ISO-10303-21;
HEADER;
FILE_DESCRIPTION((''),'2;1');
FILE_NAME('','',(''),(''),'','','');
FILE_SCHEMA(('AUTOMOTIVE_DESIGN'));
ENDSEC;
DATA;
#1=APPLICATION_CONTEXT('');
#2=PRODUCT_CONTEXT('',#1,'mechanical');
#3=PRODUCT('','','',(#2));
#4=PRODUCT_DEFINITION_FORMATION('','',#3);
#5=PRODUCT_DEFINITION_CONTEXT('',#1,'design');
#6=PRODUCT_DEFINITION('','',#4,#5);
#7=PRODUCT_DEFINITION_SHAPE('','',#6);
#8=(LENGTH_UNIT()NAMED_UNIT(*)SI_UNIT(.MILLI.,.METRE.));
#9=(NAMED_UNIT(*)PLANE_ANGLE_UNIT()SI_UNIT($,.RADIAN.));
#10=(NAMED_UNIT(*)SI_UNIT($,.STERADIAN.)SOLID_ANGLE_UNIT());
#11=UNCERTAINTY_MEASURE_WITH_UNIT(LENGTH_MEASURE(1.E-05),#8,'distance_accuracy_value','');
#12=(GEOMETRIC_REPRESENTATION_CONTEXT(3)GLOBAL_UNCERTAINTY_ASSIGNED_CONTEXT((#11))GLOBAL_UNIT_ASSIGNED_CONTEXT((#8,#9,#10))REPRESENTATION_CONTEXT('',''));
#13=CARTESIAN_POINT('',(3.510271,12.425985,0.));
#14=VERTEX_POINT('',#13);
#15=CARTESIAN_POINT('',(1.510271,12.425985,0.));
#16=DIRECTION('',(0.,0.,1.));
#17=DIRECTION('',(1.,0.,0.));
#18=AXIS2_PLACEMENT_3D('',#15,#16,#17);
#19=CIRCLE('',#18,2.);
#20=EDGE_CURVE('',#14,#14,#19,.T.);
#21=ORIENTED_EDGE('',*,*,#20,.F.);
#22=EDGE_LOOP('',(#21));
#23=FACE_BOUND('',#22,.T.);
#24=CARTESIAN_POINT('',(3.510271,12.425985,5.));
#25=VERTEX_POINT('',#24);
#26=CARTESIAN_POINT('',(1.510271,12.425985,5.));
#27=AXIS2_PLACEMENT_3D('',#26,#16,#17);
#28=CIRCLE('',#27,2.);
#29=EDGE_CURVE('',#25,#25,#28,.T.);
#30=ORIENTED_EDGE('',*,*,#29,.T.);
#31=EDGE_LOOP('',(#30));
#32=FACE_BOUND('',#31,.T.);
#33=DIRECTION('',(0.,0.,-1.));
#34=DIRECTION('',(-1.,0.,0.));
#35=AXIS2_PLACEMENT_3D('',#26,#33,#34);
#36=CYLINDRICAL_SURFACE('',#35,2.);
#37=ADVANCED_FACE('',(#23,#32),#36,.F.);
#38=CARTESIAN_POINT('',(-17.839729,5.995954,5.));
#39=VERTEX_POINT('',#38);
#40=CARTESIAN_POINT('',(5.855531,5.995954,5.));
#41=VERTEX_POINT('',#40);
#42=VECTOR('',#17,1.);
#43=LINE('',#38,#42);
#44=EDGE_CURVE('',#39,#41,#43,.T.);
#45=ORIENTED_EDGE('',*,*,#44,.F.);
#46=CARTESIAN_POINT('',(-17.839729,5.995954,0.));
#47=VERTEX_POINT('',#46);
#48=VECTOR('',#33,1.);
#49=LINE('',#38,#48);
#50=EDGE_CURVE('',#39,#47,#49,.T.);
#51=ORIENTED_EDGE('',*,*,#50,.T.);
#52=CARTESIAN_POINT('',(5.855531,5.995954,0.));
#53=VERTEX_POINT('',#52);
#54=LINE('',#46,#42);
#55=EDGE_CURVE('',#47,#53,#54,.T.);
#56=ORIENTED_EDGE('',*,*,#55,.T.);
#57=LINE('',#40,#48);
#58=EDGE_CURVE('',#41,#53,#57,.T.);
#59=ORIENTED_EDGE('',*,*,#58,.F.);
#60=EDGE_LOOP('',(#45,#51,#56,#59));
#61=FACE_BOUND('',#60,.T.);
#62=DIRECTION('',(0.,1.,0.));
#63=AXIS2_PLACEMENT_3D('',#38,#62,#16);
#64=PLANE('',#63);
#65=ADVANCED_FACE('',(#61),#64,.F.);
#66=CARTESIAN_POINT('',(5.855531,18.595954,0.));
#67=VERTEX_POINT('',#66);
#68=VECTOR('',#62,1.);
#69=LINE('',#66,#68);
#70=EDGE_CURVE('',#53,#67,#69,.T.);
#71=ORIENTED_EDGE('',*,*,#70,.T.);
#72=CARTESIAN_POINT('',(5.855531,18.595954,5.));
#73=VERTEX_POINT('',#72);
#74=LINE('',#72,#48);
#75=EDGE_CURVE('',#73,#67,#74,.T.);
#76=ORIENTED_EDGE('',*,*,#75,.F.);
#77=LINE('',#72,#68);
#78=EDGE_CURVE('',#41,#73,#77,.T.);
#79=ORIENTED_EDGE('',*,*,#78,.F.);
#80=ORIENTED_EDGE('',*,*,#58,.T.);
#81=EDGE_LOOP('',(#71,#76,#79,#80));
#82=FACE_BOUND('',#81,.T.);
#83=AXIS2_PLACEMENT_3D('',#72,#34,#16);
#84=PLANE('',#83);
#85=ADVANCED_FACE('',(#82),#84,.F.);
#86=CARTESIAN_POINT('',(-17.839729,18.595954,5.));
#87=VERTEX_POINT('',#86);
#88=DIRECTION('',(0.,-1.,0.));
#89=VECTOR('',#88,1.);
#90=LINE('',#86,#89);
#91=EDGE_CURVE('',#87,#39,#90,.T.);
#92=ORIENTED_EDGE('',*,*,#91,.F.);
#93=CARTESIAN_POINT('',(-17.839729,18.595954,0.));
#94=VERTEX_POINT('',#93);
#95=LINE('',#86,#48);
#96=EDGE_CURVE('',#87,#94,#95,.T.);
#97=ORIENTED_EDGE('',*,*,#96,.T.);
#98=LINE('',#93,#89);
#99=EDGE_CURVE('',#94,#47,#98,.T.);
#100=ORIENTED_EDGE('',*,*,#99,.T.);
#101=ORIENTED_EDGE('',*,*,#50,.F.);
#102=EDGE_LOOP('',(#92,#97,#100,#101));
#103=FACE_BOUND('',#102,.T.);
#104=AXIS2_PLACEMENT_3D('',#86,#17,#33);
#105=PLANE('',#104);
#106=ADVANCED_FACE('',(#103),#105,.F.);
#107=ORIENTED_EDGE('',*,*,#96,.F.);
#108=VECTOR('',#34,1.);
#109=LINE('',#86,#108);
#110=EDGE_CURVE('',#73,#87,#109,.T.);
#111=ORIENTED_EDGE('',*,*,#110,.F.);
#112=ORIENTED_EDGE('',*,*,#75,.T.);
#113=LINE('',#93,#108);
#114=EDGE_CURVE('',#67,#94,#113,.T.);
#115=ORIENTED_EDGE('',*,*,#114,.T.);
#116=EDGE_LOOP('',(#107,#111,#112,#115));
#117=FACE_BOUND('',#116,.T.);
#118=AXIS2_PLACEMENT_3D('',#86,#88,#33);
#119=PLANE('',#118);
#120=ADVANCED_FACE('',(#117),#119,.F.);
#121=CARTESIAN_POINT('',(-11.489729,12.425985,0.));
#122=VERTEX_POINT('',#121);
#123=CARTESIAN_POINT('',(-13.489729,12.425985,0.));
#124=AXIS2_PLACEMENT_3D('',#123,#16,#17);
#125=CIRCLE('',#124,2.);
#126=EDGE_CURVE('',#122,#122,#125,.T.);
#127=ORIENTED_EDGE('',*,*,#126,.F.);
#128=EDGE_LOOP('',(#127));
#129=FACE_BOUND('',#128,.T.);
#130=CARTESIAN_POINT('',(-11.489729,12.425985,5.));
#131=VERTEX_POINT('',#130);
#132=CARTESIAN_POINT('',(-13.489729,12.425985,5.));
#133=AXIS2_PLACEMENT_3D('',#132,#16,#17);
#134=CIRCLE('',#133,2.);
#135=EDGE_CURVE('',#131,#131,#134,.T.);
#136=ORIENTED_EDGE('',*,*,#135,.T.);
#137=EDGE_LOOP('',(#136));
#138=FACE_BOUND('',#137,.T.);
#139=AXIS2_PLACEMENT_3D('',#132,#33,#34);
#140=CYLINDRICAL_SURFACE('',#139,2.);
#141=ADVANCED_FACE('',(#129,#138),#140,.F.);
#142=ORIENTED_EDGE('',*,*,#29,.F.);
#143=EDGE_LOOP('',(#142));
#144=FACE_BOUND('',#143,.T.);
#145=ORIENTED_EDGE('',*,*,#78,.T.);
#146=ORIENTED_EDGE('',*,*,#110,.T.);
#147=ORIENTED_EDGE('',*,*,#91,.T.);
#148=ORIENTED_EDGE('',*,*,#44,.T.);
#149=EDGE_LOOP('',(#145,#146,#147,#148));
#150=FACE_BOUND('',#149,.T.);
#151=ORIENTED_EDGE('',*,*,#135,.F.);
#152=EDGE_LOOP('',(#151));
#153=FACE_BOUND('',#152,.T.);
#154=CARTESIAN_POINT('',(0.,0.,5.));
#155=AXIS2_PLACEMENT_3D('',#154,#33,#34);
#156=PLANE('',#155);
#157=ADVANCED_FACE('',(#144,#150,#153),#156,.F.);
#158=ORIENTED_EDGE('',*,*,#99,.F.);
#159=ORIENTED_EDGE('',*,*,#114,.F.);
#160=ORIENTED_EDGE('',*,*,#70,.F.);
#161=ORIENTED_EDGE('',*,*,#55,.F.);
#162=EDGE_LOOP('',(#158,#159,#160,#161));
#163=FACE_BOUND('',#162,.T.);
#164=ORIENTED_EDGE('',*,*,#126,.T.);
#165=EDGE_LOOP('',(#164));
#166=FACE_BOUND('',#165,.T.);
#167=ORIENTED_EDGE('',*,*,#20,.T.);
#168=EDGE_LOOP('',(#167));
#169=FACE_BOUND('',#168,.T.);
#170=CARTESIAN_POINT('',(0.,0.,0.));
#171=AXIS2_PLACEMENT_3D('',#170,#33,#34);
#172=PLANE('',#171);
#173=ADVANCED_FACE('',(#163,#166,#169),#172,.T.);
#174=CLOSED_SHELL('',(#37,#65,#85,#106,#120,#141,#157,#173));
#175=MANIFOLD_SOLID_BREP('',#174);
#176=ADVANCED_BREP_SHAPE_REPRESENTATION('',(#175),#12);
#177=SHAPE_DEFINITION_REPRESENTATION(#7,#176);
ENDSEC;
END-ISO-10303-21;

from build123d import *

# Parameters (mm, degrees)
ESQUISSE1_W        = 23.695260015
ESQUISSE1_H        = 12.6
ESQUISSE1_R        = 2
BOSS_EXTRU_1_DEPTH = 5


with BuildPart() as part:
    # Esquisse1 → Boss.-Extru.1 (new body)
    with BuildSketch(Plane.XY):
        with Locations((-5.99209908, 12.295954438)):
            Rectangle(ESQUISSE1_W, ESQUISSE1_H)
        with Locations((-13.489729087, 12.425985115)):
            Circle(ESQUISSE1_R, mode=Mode.SUBTRACT)
        with Locations((1.510270913, 12.425985115)):
            Circle(ESQUISSE1_R, mode=Mode.SUBTRACT)
    extrude(amount=BOSS_EXTRU_1_DEPTH)


solid = part.part
